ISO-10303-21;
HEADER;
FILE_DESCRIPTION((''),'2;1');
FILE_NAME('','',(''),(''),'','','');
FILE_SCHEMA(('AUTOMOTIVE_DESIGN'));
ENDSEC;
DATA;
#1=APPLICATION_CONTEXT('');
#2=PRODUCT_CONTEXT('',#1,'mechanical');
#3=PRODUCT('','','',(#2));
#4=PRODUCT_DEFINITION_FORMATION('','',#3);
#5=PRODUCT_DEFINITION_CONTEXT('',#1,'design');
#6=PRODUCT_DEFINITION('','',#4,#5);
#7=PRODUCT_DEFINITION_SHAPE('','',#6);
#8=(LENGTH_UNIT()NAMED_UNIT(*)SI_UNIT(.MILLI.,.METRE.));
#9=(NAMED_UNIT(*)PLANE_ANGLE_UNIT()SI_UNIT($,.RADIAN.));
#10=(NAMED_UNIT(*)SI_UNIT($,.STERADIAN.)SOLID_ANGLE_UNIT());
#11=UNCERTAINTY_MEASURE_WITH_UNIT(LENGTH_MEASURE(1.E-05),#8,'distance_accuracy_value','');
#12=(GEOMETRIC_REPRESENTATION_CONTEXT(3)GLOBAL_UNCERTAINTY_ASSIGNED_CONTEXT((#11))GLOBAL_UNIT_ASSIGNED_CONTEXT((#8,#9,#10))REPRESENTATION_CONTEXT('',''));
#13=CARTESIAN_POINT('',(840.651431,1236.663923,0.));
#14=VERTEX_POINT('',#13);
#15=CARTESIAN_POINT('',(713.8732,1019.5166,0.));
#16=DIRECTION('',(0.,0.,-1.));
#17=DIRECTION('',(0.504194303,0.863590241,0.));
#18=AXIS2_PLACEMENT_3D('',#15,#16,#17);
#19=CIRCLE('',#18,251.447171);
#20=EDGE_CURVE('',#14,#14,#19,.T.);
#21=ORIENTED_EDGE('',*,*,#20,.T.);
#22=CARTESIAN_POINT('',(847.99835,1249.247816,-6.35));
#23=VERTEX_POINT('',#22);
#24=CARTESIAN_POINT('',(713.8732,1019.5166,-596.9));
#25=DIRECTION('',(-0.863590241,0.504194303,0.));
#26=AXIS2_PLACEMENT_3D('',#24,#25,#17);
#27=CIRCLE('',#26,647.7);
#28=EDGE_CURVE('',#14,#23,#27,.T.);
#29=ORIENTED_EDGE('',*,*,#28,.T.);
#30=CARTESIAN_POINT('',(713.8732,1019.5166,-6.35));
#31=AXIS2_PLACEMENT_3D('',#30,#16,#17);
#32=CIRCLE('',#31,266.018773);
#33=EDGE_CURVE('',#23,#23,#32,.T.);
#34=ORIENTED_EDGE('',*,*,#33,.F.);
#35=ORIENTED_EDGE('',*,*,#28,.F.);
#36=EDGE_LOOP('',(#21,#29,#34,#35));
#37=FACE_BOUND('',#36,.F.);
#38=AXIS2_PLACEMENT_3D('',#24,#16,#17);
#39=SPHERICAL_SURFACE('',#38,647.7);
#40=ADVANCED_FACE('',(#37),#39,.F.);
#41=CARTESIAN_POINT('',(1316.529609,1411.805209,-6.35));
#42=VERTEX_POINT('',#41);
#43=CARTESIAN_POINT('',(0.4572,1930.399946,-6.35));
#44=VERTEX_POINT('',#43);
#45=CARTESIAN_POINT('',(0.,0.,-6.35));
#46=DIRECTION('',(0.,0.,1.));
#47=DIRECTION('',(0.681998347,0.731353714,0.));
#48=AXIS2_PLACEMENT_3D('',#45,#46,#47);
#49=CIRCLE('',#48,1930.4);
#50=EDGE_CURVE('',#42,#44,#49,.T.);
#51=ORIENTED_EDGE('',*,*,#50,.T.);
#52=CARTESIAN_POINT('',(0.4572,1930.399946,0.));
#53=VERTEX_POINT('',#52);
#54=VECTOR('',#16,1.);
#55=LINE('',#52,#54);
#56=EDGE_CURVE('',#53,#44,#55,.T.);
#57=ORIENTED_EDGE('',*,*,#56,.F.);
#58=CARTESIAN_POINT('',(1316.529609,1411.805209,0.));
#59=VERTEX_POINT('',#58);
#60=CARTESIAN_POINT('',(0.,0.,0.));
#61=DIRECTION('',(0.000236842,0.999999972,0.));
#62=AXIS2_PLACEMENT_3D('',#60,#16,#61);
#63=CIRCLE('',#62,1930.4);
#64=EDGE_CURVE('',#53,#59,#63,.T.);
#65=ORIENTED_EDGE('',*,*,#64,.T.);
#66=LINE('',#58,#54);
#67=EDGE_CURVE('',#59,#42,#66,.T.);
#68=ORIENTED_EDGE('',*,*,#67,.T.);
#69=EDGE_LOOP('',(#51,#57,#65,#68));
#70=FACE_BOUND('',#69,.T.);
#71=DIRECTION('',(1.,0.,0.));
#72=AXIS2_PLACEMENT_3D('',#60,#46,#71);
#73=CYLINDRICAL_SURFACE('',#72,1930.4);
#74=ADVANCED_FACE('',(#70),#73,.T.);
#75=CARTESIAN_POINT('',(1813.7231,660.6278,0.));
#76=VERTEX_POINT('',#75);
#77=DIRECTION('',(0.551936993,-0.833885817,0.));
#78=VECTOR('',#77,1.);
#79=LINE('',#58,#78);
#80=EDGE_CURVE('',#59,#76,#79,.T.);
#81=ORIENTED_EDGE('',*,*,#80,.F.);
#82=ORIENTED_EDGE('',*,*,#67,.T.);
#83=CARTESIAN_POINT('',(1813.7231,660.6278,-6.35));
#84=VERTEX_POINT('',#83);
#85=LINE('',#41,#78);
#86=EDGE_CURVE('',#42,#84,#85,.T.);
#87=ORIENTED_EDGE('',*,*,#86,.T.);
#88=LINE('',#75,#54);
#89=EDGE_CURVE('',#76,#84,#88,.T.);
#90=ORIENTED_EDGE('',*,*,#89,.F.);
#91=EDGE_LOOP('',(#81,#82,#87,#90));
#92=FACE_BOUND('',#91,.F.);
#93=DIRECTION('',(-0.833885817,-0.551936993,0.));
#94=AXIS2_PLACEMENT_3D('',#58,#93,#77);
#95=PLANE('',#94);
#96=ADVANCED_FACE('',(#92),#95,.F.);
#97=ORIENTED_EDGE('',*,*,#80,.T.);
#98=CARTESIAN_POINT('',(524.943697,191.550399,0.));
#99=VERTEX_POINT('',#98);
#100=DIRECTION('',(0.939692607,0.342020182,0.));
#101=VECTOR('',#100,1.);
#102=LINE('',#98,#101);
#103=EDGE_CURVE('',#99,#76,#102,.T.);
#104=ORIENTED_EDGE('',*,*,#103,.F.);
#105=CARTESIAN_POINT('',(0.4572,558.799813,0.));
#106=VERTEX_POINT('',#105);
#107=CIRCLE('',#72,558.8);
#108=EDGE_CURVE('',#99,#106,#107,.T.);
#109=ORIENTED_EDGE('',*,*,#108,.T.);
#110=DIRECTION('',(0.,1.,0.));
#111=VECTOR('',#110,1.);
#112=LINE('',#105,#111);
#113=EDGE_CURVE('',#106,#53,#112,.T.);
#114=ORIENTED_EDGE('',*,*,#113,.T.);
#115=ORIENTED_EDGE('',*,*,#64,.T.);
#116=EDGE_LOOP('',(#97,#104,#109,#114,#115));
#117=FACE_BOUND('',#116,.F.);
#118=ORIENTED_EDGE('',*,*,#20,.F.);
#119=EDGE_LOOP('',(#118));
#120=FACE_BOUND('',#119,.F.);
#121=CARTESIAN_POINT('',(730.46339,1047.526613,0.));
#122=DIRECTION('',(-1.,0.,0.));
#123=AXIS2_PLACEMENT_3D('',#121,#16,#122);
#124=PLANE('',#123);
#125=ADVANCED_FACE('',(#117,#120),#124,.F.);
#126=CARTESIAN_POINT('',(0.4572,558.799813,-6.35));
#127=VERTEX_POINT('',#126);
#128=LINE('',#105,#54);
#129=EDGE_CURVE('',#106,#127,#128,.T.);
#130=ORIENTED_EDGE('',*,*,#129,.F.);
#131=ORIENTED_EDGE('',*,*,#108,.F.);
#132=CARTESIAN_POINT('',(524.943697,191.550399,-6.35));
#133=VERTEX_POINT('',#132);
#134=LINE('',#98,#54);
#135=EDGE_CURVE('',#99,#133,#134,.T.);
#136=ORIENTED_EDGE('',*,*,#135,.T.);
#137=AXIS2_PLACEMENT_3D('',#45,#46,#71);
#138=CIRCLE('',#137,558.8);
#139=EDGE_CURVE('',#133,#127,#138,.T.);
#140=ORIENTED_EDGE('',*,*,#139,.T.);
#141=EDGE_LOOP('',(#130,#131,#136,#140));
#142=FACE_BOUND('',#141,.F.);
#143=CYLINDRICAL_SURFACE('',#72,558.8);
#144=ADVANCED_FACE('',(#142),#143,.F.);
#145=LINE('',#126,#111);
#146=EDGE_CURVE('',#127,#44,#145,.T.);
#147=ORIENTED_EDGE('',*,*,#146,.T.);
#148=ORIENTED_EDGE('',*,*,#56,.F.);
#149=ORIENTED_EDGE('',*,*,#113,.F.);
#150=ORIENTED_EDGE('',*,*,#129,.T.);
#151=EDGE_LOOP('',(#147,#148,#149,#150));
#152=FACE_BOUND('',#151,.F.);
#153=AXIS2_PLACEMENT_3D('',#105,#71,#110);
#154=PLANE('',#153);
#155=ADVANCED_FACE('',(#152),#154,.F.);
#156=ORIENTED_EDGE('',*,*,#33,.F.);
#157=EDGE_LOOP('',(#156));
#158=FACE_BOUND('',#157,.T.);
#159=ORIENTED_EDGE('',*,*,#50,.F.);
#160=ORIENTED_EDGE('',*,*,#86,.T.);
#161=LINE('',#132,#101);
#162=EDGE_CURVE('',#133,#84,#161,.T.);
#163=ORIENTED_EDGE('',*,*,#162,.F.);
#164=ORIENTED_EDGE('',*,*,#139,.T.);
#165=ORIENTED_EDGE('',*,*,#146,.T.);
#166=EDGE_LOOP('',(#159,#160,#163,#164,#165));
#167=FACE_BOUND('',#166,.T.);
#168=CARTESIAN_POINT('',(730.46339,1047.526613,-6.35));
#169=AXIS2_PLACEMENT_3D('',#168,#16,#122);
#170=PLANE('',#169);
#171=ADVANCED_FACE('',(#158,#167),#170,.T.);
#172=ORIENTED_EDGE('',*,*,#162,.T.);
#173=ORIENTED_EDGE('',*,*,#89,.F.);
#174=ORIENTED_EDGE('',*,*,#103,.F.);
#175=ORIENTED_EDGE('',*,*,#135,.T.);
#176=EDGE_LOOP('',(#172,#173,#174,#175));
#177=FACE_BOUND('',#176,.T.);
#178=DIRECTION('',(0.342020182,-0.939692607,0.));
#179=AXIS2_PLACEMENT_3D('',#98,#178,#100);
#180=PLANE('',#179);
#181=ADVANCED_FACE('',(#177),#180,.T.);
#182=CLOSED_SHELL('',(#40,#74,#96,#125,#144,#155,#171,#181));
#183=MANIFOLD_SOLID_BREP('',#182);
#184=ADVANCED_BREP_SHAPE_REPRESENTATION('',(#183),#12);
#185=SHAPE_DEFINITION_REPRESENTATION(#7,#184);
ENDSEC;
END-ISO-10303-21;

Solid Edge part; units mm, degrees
sketch "Sketch1" plane through (0, 0, 0) normal (0, 0, 1) x (1, 0, 0)
  line L0 (0.4572, 558.7998) -> (0.4572, 1930.3999)
  arc A0 (1107.232, 1581.2911) -> (0.4572, 1930.3999) centre (0, 0) ccw
  arc A1 (1316.5296, 1411.8052) -> (1107.232, 1581.2911) centre (0, 0) ccw
  line L1 (1316.5296, 1411.8052) -> (1813.7231, 660.6278)
  line L2 (524.9437, 191.5504) -> (1813.7231, 660.6278)
  arc A2 (524.9437, 191.5504) -> (0.4572, 558.7998) centre (0, 0) ccw
extrude "Protrusion1" add sketch "Sketch1" against normal blind 6.35
sketch "Sketch2" plane through (713.8732, 1019.5166, 0) normal (0.8636, -0.5042, 0) x (0.5042, 0.8636, 0)
  arc A0 (0, 50.8) -> (647.7, -596.9) centre (0, -596.9) cw
  line L0 (647.7, -596.9) -> (0, -596.9)
  line L1 (0, -596.9) -> (0, 50.8)
revolve "RevolvedCutout1" cut sketch "Sketch2" angle 360 about axis through (713.8732, 1019.5166, 0) along (0, 0, -1)
